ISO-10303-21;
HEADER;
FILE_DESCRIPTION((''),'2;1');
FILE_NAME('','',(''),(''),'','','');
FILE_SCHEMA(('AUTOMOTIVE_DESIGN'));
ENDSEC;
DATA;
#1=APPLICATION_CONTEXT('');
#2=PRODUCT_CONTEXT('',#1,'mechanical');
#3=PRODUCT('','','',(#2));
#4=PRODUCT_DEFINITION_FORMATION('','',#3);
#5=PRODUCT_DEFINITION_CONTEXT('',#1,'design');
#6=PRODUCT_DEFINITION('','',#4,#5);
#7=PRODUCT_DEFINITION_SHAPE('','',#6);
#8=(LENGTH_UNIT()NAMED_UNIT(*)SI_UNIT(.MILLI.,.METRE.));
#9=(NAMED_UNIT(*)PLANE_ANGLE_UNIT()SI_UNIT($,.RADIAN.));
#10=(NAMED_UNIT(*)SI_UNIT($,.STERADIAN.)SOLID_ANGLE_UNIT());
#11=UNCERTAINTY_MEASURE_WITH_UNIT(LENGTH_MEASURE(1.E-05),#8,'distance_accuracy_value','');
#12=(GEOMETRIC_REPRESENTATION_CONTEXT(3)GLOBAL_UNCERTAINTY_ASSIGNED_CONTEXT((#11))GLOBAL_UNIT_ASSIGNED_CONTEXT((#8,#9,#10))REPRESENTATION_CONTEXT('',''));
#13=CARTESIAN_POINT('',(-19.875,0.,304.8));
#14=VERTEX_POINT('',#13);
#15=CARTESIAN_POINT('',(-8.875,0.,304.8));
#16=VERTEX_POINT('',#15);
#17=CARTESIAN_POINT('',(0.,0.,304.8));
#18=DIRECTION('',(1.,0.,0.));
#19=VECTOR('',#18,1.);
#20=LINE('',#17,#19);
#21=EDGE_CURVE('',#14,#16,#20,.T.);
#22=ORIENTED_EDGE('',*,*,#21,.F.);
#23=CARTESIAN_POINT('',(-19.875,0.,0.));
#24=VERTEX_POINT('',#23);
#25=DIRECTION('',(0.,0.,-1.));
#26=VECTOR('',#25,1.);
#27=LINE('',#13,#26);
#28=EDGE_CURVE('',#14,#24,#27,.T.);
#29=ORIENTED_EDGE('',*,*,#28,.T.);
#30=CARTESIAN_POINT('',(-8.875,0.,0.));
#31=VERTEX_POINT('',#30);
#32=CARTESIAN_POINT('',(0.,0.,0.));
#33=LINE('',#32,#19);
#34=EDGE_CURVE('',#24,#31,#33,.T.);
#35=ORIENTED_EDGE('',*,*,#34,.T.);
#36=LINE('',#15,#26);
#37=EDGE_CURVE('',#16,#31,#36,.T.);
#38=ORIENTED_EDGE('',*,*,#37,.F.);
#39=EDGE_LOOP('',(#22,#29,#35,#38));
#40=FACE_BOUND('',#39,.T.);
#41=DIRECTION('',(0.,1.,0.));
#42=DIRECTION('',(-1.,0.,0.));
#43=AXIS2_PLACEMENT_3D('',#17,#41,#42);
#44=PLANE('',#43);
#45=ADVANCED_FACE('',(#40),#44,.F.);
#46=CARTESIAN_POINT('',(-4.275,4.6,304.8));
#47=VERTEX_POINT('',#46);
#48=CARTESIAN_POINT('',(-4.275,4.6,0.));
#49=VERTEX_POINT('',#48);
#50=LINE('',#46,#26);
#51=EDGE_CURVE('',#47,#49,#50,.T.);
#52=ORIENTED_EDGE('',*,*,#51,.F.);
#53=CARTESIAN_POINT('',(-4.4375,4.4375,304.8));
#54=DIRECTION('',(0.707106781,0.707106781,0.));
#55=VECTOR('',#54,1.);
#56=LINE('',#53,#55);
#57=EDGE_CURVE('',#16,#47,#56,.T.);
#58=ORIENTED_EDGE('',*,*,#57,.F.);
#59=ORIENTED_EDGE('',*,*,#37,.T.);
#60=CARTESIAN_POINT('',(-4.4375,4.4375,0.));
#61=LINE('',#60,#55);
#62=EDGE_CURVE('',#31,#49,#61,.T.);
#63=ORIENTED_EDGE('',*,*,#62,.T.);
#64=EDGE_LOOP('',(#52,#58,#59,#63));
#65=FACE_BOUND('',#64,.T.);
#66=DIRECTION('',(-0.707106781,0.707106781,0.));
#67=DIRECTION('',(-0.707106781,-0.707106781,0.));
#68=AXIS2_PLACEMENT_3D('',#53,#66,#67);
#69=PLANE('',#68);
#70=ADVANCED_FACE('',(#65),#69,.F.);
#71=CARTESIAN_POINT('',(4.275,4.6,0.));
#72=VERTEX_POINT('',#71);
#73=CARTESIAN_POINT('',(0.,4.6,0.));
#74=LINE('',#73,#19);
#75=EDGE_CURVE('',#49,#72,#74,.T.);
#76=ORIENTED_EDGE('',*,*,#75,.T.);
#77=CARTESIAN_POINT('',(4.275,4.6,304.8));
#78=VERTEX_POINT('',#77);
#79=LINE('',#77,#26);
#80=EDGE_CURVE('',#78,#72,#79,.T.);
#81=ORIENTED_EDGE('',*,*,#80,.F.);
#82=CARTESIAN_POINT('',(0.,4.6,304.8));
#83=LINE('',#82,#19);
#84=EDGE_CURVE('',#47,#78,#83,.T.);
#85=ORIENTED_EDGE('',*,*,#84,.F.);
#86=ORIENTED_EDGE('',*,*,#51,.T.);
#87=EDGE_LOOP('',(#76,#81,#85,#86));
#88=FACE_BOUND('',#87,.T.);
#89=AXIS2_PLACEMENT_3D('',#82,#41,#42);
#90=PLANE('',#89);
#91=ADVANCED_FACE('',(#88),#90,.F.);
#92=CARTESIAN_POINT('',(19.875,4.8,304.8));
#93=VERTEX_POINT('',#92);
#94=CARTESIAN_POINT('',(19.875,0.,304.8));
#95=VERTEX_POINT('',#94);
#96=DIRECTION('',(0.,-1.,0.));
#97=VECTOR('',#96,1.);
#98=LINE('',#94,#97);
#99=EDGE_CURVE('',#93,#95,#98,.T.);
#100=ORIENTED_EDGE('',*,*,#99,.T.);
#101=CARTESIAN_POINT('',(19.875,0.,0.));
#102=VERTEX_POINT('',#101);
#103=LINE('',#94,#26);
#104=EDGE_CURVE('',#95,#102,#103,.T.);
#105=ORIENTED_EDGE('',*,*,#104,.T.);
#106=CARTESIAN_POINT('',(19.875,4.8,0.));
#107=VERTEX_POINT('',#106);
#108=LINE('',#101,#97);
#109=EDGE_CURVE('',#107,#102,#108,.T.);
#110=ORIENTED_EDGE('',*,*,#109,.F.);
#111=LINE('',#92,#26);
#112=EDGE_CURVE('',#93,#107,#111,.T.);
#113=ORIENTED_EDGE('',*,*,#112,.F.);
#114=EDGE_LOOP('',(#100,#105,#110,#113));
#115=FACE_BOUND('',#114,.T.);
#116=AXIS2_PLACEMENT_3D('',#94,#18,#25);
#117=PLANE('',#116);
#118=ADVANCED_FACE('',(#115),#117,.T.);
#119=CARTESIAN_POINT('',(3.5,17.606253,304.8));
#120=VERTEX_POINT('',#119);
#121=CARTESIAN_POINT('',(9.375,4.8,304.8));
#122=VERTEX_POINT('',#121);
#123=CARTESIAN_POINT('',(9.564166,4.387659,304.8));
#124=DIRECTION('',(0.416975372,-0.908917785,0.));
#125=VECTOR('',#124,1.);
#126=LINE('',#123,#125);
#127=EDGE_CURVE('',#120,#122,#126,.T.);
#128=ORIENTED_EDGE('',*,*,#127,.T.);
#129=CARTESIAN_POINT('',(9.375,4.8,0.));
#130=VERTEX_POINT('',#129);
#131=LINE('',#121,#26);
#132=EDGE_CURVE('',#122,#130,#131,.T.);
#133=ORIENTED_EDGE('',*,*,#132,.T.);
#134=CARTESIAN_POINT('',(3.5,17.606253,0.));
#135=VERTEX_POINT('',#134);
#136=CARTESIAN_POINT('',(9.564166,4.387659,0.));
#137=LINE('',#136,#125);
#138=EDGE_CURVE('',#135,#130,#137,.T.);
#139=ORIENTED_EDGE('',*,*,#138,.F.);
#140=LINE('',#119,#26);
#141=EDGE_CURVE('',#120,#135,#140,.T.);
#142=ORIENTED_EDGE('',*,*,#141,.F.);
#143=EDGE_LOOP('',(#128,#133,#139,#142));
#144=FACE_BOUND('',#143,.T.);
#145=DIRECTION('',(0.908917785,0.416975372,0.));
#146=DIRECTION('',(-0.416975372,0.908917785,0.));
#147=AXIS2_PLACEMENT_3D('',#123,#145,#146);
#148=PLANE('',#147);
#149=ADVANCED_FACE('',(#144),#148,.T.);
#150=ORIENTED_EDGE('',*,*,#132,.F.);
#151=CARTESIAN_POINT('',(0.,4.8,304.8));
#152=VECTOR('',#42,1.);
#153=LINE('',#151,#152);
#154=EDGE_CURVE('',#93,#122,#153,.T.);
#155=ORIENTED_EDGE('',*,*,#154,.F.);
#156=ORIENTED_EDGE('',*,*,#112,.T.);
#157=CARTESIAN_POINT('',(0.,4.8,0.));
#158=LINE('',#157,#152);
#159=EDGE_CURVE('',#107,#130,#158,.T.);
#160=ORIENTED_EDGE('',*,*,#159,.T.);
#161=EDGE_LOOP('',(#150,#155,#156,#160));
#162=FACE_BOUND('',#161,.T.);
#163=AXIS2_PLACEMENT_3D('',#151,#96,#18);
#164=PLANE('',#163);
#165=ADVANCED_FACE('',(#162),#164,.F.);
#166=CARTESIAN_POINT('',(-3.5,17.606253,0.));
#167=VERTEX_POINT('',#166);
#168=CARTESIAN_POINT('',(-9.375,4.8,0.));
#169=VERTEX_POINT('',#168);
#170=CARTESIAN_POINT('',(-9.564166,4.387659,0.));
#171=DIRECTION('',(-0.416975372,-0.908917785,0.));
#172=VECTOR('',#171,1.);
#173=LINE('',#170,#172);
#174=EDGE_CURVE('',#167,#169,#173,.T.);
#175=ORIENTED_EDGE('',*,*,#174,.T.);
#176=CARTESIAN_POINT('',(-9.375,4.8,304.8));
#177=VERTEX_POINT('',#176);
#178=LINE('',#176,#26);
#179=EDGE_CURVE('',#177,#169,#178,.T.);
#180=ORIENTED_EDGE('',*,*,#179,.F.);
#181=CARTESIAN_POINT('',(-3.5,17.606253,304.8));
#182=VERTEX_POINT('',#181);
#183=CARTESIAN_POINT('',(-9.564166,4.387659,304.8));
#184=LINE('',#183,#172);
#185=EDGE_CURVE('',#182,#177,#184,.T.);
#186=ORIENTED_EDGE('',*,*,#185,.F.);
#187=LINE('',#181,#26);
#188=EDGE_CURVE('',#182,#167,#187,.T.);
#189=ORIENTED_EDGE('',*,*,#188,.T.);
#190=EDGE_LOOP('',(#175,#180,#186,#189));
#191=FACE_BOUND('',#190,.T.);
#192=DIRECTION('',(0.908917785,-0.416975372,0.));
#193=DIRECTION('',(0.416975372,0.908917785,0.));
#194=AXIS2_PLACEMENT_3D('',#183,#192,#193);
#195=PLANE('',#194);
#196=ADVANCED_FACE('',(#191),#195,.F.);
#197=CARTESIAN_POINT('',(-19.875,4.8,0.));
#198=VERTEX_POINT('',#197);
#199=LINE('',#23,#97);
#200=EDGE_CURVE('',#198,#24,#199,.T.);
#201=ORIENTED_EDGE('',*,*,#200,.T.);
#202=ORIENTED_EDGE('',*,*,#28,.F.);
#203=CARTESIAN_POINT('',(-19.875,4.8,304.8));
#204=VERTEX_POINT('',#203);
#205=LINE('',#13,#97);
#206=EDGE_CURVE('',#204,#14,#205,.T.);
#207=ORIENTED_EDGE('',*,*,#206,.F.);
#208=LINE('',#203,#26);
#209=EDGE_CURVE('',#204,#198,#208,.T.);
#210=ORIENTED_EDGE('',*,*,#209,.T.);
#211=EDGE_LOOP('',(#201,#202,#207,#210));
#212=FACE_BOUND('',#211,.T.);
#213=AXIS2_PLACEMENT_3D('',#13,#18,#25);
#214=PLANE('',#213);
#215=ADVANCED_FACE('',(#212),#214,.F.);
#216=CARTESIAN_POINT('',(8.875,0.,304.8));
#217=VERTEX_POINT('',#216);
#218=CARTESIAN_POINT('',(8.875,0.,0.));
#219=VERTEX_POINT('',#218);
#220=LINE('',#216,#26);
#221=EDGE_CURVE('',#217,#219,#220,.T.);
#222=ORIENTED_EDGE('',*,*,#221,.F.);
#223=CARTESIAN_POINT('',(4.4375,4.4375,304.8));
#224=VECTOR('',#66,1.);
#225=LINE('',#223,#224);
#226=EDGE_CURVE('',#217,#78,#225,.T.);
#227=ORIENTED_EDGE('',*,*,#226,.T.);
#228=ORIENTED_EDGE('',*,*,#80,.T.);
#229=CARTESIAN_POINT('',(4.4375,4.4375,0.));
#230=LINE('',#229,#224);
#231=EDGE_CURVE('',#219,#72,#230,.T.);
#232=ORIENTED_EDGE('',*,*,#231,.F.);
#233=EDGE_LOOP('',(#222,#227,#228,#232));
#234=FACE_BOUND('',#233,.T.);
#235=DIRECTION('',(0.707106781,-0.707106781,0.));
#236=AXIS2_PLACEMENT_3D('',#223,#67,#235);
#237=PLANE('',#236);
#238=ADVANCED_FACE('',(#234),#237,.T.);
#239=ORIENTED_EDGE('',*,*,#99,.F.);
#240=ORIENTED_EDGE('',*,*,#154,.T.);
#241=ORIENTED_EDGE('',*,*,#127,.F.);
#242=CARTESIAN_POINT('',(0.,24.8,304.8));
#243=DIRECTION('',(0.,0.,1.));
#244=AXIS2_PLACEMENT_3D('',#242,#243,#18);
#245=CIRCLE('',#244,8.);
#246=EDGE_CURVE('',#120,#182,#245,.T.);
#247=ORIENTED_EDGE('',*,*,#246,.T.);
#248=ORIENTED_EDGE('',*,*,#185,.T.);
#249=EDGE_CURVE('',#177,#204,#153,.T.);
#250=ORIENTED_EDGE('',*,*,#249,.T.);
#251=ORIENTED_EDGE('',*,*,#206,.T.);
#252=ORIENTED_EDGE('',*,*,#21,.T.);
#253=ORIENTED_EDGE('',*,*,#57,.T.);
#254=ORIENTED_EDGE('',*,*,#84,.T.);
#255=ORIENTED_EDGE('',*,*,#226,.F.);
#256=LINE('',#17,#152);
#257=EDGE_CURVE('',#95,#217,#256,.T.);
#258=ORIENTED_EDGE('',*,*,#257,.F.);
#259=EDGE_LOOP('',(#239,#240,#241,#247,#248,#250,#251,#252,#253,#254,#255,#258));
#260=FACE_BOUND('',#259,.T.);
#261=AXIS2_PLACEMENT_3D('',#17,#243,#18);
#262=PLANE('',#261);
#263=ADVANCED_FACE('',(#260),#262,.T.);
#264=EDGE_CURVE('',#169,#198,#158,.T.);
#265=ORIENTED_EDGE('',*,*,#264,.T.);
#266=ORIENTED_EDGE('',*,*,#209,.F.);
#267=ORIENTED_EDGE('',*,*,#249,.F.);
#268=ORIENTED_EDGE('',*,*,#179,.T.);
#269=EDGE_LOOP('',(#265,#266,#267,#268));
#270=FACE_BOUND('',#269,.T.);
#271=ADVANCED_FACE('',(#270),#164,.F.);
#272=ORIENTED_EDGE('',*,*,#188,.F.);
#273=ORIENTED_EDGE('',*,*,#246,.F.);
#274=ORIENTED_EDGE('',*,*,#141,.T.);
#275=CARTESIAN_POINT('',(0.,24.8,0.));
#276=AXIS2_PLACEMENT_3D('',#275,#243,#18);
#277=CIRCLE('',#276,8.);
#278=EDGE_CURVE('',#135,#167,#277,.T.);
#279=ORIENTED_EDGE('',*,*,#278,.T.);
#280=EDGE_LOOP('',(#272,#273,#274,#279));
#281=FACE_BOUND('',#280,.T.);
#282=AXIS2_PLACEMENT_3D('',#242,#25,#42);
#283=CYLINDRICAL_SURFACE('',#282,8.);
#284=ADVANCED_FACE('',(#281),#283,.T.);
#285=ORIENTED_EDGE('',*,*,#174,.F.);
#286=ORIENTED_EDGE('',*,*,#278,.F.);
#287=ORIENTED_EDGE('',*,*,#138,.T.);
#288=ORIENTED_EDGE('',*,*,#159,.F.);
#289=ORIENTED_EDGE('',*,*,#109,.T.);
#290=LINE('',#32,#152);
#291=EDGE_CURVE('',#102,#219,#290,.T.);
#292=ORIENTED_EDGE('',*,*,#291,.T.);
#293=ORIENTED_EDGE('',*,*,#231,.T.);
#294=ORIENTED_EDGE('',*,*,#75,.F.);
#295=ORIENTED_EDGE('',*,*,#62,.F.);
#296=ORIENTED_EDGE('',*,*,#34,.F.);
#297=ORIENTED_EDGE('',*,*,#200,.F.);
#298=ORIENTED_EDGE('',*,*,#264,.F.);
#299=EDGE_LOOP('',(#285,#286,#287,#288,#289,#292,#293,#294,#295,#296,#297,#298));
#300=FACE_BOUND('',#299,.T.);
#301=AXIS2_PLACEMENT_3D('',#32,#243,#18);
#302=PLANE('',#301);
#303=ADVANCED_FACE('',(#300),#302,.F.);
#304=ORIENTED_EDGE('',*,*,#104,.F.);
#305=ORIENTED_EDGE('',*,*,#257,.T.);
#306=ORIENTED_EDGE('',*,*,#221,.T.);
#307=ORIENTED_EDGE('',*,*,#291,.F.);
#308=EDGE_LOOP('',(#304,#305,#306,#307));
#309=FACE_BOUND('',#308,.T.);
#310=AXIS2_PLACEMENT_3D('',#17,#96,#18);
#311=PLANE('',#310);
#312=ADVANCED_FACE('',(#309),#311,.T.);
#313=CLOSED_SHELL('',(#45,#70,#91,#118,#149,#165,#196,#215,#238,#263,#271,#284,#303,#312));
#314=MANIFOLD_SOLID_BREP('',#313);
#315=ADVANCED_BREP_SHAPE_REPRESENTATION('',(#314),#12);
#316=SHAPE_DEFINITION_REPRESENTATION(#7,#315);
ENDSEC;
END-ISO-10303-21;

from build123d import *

# Parameters (mm, degrees)
BOSS_EXTRUDE1_DEPTH = 304.8


with BuildPart() as part:
    # Sketch1 → Boss-Extrude1 (new body)
    with BuildSketch(Plane.XY):
        with BuildLine():
            Line((3.5, 17.606252715), (9.375, 4.8))
            Line((9.375, 4.8), (19.875, 4.8))
            Line((19.875, 4.8), (19.875, 0))
            Line((19.875, 0), (8.875, 0))
            Line((8.875, 0), (4.275, 4.6))
            Line((4.275, 4.6), (-4.275, 4.6))
            Line((-4.275, 4.6), (-8.875, 0))
            Line((-8.875, 0), (-19.875, 0))
            Line((-19.875, 0), (-19.875, 4.8))
            Line((-19.875, 4.8), (-9.375, 4.8))
            Line((-9.375, 4.8), (-3.5, 17.606252715))
            ThreePointArc((-3.5, 17.606252715), (0, 32.8), (3.5, 17.606252715))
        make_face()
    extrude(amount=BOSS_EXTRUDE1_DEPTH)


solid = part.part
